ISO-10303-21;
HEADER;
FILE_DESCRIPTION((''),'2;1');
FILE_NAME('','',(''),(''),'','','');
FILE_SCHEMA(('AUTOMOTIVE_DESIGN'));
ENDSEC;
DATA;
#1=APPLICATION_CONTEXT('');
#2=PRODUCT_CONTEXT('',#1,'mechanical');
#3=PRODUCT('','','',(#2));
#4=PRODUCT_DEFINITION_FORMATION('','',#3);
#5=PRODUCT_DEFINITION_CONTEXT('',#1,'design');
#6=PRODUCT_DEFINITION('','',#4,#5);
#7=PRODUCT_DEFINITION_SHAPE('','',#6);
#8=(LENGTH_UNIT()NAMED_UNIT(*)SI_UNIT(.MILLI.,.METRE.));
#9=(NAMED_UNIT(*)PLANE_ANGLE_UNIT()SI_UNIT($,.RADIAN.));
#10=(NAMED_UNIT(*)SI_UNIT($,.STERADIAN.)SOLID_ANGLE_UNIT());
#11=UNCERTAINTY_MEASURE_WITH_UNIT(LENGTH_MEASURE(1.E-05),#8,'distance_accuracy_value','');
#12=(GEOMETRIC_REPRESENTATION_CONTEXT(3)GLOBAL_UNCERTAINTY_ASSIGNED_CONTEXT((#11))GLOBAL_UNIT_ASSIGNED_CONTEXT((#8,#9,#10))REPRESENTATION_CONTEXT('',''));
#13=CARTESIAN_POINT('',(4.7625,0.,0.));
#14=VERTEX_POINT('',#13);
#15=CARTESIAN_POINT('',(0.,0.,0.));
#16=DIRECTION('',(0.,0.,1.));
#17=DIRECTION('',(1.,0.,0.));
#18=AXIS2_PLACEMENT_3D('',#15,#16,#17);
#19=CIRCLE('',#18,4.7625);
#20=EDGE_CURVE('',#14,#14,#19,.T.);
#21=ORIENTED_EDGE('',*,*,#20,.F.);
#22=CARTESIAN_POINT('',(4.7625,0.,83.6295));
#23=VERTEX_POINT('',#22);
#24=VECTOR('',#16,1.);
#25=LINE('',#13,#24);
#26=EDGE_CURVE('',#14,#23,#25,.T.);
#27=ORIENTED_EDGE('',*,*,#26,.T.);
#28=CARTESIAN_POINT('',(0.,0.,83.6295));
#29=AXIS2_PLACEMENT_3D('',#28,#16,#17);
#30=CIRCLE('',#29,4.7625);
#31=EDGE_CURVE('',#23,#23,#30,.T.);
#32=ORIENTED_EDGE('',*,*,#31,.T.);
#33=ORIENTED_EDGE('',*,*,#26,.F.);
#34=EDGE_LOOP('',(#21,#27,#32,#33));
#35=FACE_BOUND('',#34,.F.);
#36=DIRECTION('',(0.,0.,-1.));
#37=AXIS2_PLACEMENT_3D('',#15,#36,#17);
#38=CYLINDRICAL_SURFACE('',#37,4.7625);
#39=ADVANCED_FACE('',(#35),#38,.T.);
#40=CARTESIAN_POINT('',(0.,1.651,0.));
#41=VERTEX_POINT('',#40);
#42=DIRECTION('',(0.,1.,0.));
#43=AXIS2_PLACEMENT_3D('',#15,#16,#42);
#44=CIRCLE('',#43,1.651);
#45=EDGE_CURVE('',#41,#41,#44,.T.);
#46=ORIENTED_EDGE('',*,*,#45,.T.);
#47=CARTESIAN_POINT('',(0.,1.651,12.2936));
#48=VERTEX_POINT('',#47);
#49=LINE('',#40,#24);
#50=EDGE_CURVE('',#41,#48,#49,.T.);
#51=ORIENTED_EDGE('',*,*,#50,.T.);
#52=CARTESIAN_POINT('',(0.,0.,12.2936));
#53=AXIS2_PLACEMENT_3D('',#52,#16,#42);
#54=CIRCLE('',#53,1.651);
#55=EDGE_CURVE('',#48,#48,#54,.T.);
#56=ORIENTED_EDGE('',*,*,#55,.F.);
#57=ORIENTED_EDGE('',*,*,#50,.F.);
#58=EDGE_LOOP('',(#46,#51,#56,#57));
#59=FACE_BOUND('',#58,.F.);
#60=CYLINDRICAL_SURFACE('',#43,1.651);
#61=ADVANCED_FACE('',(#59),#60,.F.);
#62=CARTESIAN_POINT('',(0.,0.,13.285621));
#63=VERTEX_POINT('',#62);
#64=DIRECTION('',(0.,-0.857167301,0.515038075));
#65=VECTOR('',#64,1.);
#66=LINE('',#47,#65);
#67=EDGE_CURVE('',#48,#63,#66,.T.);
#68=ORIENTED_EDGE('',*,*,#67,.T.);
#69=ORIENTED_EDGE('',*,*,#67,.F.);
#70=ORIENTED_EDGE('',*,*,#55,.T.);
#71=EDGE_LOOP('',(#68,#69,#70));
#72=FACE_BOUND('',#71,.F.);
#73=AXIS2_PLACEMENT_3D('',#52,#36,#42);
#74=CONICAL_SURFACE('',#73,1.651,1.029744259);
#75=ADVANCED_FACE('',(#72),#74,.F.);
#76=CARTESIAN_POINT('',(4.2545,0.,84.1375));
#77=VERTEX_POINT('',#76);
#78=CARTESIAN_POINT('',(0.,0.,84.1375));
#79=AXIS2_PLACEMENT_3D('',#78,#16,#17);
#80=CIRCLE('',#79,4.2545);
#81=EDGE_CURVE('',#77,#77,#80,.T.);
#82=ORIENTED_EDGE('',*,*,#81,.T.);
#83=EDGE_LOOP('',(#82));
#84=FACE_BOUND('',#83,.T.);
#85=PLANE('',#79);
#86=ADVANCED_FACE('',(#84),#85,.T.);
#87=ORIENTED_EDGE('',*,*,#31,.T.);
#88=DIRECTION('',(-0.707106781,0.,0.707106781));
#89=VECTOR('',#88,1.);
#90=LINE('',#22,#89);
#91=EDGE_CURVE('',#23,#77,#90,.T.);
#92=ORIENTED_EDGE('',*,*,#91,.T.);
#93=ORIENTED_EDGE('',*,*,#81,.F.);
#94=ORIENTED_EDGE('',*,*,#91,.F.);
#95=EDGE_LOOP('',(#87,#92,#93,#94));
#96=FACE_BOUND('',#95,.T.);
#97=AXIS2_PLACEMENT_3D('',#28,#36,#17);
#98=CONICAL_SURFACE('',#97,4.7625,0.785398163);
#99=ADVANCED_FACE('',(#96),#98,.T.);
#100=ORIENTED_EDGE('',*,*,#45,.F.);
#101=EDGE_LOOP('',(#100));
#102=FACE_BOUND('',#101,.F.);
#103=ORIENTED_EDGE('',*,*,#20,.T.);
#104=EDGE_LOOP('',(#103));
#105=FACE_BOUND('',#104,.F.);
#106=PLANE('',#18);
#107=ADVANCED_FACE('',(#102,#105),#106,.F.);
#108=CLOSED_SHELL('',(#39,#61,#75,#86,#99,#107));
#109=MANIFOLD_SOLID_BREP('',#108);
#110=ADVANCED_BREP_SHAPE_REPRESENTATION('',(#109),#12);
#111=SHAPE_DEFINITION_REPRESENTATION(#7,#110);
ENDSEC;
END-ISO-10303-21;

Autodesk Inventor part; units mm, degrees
ref_plane "YZ Plane" through (0, 0, 0) normal (1, 0, 0) x (0, 1, 0)
ref_plane "XZ Plane" through (0, 0, 0) normal (0, 1, 0) x (-1, 0, 0)
ref_plane "XY Plane" through (0, 0, 0) normal (0, 0, 1) x (1, 0, 0)
sketch "Sketch1" plane through (0, 0, 0) normal (0, 0, 1) x (1, 0, 0)
  circle A0 centre (0, 0) radius 4.7625
  dimension "d0" = 9.525
extrude "Extrusion1" add sketch "Sketch1" along normal blind 84.1375
sketch "Sketch2" plane through (0, 0, 0) normal (0, 0, -1) x (-1, 0, 0)
  point P0 (0, 0)
  point P1 (0, 0)
hole "Hole1" at (0, 0, 0) direction (0, 0, 1) diameter 3.302 depth 12.2936 tip angle 118 thread size "8-32 UNC" class "2B" standard "ANSI Unified Screw Threads"
chamfer "Chamfer1" distance 0.508 angle 45 1 edges at (-4.7625, 0, 84.1375)
properties part number "post"
